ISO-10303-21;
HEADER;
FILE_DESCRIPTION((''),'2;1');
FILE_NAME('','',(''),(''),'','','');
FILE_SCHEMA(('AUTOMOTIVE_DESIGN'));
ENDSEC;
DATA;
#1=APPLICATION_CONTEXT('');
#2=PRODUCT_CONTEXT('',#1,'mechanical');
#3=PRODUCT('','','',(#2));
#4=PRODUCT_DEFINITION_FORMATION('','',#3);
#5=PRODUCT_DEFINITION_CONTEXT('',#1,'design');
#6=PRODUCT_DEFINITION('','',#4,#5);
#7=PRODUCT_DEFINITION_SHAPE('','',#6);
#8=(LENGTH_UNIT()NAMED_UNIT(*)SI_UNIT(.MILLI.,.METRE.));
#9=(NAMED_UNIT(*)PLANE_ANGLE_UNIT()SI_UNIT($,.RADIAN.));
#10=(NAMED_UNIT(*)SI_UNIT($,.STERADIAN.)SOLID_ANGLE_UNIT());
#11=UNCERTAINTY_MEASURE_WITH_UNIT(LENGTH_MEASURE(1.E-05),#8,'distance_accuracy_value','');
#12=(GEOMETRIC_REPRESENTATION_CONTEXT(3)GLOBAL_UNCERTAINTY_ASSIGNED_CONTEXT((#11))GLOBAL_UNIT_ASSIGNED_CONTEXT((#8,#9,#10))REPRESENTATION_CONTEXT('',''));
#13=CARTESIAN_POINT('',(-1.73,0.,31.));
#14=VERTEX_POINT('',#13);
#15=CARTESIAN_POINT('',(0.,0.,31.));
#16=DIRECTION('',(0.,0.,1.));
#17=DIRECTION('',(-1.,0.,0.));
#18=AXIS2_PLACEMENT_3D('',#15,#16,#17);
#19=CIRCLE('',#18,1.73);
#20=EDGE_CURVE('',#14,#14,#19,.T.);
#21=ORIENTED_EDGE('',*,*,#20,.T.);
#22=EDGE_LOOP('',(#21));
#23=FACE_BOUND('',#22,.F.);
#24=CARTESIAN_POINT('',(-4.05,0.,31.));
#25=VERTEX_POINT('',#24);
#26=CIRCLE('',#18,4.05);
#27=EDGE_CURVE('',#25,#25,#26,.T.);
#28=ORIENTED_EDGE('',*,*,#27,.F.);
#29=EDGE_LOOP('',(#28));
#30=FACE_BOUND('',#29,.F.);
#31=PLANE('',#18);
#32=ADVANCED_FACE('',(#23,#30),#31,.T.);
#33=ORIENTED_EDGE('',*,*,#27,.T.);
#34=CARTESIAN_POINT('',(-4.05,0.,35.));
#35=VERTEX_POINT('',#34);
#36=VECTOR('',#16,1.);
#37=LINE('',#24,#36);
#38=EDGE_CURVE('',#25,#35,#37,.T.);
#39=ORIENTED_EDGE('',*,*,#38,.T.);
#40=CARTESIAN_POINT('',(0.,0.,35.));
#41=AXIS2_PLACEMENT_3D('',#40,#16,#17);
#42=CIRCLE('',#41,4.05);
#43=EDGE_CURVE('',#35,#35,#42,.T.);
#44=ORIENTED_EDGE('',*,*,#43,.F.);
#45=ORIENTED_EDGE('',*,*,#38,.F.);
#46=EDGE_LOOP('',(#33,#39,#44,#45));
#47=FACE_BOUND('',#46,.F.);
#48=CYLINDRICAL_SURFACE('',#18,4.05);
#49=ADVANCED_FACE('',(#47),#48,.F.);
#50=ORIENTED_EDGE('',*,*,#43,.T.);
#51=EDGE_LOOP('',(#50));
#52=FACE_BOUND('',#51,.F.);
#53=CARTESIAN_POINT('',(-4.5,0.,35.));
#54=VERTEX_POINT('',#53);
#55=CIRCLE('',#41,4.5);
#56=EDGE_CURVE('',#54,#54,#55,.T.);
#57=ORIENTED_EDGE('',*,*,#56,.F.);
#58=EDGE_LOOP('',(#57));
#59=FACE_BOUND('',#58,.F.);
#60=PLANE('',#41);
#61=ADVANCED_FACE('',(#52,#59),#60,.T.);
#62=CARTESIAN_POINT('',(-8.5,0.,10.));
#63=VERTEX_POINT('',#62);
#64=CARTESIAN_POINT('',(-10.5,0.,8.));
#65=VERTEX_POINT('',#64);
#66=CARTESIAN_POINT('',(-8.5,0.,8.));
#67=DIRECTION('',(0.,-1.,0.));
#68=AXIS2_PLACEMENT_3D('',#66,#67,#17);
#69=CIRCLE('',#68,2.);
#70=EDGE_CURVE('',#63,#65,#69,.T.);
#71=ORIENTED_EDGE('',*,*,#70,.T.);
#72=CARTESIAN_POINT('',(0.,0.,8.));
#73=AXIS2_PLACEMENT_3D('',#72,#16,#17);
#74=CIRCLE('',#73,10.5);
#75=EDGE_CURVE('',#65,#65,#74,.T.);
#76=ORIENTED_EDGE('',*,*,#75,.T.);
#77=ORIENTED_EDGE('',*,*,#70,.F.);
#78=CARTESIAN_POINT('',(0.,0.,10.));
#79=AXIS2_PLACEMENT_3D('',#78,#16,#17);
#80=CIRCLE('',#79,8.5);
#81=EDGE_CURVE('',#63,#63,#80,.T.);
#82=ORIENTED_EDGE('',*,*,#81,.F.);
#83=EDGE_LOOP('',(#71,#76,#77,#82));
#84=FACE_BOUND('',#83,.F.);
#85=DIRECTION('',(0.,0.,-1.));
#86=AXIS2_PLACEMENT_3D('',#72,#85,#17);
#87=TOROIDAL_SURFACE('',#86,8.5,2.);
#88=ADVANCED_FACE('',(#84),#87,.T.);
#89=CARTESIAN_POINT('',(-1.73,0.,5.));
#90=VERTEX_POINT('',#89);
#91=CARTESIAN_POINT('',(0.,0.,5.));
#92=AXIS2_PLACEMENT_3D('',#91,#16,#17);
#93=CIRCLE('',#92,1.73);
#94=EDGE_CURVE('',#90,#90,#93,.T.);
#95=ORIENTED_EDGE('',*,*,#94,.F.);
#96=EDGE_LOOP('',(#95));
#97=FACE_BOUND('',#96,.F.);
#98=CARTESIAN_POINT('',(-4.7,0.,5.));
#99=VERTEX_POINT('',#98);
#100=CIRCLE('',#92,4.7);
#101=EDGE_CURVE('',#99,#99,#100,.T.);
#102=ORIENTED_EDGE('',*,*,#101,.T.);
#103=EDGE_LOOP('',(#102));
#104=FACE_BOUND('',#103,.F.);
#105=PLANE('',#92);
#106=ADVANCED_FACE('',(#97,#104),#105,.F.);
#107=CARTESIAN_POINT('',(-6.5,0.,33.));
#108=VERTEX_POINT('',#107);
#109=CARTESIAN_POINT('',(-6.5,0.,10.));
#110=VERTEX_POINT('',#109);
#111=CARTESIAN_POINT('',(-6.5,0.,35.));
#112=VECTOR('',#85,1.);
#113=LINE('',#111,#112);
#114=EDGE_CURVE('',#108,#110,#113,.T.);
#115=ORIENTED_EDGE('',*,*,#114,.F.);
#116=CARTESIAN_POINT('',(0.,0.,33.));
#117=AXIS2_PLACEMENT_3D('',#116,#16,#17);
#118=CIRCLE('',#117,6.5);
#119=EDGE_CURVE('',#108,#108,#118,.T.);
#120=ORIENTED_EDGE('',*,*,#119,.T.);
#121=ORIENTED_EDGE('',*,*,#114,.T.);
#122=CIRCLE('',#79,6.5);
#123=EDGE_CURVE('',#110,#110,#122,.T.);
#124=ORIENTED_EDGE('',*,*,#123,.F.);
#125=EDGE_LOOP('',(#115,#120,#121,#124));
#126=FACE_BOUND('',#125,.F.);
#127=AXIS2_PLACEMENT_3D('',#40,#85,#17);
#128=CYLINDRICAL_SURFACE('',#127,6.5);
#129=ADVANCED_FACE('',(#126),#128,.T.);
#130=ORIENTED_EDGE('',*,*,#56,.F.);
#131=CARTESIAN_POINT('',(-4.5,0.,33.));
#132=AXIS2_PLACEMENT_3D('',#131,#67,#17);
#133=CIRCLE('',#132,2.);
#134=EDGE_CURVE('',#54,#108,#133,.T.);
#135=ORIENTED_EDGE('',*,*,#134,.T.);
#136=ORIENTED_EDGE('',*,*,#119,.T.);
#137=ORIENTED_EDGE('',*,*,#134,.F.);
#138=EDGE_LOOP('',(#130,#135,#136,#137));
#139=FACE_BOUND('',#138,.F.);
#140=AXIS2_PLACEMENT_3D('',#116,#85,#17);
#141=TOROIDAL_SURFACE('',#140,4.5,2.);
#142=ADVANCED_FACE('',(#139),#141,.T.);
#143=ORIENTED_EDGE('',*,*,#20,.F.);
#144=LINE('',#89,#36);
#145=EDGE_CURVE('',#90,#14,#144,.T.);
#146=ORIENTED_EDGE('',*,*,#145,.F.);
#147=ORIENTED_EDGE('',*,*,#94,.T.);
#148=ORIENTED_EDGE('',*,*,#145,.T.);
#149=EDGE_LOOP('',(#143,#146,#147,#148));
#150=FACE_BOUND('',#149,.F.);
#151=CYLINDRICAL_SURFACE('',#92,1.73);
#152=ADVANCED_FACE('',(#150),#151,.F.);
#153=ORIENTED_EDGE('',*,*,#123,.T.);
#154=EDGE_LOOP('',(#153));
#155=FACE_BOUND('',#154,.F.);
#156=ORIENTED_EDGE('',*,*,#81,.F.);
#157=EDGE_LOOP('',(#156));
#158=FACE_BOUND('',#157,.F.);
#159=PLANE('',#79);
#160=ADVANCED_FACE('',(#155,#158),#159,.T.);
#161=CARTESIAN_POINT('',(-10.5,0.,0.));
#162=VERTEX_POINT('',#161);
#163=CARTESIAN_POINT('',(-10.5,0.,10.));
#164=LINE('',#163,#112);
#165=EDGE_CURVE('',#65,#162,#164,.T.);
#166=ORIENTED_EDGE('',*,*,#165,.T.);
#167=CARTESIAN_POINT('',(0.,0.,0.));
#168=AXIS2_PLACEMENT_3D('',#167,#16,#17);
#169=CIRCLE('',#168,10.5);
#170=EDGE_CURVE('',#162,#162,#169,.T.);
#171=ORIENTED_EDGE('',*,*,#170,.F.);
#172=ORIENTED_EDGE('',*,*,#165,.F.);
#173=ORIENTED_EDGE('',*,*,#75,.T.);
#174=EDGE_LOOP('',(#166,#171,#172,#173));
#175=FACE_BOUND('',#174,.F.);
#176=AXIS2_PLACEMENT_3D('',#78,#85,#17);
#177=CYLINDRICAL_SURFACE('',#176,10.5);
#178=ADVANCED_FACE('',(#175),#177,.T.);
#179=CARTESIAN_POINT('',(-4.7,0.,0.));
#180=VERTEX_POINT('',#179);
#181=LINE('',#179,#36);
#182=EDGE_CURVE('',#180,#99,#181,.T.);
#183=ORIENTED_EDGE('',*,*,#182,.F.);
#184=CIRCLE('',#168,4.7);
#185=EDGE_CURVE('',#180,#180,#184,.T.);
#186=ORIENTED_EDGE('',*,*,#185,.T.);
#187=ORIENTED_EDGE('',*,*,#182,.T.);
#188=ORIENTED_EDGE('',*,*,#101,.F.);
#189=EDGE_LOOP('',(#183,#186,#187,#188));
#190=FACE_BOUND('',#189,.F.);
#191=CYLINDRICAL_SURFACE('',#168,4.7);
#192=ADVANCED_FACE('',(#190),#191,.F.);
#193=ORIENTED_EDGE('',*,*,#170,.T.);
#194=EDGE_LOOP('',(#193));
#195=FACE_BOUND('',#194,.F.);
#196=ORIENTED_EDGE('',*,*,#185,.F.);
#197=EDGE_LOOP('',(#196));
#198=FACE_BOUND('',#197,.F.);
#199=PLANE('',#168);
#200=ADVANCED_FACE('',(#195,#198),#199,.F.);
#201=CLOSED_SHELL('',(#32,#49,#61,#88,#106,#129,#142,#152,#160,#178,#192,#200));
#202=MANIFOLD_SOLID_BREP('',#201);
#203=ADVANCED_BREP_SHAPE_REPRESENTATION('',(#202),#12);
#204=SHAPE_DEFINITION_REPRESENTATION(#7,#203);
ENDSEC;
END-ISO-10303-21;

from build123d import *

# Parameters (mm, degrees)
F2_R = 2


with BuildPart() as f1:
    # F0 (on Front) → F1 (revolve)
    with BuildSketch(Plane.XZ):
        Polygon((-10.5, 0), (-4.7, 0), (-4.7, 5), (-1.73, 5), (-1.73, 31), (-4.05, 31), (-4.05, 35), (-6.5, 35), (-6.5, 10), (-10.5, 10), align=None)
    revolve(axis=Axis((0, 0, 17), (0, 0, 1)))

    # F2
    f2_edges = [f1.edges().sort_by_distance(p)[0] for p in [
        (10.5, 0, 10),
        (6.5, 0, 35),
    ]]
    fillet(f2_edges, radius=F2_R)


solid = f1.part
